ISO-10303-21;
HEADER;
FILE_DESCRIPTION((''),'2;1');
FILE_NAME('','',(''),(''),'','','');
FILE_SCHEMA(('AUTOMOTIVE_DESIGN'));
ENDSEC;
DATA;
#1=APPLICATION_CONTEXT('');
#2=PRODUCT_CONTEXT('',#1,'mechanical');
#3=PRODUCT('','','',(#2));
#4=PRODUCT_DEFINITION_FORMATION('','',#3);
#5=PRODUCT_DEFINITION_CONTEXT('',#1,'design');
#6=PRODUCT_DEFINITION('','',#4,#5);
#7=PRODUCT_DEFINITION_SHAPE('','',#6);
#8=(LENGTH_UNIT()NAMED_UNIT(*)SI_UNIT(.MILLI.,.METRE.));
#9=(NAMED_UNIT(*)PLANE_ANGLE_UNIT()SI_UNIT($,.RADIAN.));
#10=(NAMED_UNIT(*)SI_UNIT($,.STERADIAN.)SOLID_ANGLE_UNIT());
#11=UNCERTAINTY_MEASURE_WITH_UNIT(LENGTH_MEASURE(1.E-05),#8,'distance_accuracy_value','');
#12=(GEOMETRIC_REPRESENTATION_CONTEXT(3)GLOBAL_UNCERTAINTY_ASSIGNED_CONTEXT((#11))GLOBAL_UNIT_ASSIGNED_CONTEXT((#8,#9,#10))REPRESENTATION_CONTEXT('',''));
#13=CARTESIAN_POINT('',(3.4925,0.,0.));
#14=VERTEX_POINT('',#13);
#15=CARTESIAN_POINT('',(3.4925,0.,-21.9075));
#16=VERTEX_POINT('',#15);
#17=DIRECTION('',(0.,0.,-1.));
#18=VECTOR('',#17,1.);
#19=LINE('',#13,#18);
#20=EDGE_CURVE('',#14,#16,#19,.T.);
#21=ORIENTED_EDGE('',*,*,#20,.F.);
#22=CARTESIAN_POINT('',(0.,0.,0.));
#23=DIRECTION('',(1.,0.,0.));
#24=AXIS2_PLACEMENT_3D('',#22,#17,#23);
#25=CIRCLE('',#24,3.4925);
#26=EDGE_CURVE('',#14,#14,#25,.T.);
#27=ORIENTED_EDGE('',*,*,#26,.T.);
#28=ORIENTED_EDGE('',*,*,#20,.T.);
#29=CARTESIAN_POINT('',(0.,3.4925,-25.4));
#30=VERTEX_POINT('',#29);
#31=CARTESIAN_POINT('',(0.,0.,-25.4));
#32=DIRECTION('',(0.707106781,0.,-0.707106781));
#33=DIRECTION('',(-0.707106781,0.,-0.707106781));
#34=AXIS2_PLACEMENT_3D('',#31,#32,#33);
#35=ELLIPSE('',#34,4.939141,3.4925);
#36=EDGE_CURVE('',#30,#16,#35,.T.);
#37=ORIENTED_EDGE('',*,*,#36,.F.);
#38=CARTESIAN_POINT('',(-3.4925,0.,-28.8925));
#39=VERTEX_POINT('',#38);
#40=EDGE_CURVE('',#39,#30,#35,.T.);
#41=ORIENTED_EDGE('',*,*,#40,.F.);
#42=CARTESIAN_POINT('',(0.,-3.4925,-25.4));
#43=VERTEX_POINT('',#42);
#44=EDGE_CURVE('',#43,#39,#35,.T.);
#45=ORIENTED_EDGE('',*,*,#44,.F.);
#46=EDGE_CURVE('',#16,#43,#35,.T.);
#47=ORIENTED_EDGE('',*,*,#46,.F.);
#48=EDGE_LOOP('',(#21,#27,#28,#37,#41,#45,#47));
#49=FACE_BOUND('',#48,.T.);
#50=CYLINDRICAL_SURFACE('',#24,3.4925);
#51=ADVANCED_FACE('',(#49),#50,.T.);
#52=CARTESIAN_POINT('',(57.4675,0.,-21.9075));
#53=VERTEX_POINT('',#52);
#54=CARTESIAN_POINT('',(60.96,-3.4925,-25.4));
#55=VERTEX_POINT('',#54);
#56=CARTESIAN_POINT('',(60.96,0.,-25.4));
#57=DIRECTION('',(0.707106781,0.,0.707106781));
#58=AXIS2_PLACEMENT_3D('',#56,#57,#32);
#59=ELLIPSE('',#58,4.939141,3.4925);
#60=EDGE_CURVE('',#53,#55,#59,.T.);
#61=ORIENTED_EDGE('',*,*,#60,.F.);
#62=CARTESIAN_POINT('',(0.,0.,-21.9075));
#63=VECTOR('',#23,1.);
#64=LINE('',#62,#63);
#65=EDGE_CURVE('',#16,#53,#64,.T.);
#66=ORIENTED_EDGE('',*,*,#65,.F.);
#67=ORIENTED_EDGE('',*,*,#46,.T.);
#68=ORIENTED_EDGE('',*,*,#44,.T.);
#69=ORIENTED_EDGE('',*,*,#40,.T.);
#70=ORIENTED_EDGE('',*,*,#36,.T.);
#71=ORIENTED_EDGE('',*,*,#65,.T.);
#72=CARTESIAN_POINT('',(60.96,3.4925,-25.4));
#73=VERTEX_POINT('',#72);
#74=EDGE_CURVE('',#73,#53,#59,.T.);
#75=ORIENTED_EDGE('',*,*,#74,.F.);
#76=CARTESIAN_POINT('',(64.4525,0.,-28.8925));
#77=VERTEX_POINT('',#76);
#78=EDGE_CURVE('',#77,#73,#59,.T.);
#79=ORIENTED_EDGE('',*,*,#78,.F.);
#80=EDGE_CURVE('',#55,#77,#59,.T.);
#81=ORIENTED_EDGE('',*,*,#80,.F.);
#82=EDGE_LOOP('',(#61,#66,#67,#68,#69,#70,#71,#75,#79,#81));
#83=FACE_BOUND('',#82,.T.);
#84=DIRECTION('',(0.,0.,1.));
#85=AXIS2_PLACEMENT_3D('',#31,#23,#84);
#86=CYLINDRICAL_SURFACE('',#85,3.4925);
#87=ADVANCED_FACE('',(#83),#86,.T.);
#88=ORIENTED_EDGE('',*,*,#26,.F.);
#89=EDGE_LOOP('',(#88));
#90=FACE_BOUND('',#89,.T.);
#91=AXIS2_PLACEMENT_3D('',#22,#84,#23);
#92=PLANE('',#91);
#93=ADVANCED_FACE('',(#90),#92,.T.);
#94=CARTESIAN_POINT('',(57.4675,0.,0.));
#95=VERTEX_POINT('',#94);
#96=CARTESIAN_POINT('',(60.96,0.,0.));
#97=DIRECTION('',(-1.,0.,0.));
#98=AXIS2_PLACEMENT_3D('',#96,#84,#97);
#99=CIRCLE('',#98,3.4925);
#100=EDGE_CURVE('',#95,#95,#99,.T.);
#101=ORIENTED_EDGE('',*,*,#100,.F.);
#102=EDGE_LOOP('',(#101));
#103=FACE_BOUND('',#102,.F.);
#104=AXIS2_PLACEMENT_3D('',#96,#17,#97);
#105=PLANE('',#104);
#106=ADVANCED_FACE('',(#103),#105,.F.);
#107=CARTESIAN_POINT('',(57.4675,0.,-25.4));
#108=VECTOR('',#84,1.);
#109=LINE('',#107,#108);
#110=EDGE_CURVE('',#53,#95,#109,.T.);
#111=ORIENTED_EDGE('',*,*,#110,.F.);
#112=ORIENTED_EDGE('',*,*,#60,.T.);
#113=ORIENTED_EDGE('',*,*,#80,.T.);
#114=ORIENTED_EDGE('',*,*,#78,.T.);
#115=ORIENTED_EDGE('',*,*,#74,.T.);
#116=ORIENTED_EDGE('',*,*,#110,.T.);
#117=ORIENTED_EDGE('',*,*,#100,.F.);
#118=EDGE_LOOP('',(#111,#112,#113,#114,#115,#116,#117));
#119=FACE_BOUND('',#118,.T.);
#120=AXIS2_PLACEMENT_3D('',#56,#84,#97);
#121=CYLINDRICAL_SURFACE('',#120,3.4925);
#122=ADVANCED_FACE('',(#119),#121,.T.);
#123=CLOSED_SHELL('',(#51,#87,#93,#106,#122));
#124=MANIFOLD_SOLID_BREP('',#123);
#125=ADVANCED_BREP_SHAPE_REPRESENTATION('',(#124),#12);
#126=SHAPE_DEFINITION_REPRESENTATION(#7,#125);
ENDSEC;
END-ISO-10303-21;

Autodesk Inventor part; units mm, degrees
ref_plane "YZ Plane" through (0, 0, 0) normal (1, 0, 0) x (0, 1, 0)
ref_plane "XZ Plane" through (0, 0, 0) normal (0, 1, 0) x (-1, 0, 0)
ref_plane "XY Plane" through (0, 0, 0) normal (0, 0, 1) x (1, 0, 0)
sketch "Sketch1" plane through (0, 0, 0) normal (0, 0, 1) x (1, 0, 0)
  circle A0 centre (0, 0) radius 3.4925
  dimension "d0" = 6.985
sketch "Sketch2" plane through (0, 0, 0) normal (0, 1, 0) x (-1, 0, 0)
  line L0 (0, 0) -> (0, -25.4)
  line L1 (0, -25.4) -> (-60.96, -25.4)
  line L2 (-60.96, -25.4) -> (-60.96, 0)
  dimension "d3" = 25.4
  dimension "d4" = 60.96
  dimension "d5" = 90
  dimension "d6" = 25.4
  dimension "d7" = 90
sweep "Sweep1" add profiles "Sketch1" path "Sketch2"
properties part number "Handle"
